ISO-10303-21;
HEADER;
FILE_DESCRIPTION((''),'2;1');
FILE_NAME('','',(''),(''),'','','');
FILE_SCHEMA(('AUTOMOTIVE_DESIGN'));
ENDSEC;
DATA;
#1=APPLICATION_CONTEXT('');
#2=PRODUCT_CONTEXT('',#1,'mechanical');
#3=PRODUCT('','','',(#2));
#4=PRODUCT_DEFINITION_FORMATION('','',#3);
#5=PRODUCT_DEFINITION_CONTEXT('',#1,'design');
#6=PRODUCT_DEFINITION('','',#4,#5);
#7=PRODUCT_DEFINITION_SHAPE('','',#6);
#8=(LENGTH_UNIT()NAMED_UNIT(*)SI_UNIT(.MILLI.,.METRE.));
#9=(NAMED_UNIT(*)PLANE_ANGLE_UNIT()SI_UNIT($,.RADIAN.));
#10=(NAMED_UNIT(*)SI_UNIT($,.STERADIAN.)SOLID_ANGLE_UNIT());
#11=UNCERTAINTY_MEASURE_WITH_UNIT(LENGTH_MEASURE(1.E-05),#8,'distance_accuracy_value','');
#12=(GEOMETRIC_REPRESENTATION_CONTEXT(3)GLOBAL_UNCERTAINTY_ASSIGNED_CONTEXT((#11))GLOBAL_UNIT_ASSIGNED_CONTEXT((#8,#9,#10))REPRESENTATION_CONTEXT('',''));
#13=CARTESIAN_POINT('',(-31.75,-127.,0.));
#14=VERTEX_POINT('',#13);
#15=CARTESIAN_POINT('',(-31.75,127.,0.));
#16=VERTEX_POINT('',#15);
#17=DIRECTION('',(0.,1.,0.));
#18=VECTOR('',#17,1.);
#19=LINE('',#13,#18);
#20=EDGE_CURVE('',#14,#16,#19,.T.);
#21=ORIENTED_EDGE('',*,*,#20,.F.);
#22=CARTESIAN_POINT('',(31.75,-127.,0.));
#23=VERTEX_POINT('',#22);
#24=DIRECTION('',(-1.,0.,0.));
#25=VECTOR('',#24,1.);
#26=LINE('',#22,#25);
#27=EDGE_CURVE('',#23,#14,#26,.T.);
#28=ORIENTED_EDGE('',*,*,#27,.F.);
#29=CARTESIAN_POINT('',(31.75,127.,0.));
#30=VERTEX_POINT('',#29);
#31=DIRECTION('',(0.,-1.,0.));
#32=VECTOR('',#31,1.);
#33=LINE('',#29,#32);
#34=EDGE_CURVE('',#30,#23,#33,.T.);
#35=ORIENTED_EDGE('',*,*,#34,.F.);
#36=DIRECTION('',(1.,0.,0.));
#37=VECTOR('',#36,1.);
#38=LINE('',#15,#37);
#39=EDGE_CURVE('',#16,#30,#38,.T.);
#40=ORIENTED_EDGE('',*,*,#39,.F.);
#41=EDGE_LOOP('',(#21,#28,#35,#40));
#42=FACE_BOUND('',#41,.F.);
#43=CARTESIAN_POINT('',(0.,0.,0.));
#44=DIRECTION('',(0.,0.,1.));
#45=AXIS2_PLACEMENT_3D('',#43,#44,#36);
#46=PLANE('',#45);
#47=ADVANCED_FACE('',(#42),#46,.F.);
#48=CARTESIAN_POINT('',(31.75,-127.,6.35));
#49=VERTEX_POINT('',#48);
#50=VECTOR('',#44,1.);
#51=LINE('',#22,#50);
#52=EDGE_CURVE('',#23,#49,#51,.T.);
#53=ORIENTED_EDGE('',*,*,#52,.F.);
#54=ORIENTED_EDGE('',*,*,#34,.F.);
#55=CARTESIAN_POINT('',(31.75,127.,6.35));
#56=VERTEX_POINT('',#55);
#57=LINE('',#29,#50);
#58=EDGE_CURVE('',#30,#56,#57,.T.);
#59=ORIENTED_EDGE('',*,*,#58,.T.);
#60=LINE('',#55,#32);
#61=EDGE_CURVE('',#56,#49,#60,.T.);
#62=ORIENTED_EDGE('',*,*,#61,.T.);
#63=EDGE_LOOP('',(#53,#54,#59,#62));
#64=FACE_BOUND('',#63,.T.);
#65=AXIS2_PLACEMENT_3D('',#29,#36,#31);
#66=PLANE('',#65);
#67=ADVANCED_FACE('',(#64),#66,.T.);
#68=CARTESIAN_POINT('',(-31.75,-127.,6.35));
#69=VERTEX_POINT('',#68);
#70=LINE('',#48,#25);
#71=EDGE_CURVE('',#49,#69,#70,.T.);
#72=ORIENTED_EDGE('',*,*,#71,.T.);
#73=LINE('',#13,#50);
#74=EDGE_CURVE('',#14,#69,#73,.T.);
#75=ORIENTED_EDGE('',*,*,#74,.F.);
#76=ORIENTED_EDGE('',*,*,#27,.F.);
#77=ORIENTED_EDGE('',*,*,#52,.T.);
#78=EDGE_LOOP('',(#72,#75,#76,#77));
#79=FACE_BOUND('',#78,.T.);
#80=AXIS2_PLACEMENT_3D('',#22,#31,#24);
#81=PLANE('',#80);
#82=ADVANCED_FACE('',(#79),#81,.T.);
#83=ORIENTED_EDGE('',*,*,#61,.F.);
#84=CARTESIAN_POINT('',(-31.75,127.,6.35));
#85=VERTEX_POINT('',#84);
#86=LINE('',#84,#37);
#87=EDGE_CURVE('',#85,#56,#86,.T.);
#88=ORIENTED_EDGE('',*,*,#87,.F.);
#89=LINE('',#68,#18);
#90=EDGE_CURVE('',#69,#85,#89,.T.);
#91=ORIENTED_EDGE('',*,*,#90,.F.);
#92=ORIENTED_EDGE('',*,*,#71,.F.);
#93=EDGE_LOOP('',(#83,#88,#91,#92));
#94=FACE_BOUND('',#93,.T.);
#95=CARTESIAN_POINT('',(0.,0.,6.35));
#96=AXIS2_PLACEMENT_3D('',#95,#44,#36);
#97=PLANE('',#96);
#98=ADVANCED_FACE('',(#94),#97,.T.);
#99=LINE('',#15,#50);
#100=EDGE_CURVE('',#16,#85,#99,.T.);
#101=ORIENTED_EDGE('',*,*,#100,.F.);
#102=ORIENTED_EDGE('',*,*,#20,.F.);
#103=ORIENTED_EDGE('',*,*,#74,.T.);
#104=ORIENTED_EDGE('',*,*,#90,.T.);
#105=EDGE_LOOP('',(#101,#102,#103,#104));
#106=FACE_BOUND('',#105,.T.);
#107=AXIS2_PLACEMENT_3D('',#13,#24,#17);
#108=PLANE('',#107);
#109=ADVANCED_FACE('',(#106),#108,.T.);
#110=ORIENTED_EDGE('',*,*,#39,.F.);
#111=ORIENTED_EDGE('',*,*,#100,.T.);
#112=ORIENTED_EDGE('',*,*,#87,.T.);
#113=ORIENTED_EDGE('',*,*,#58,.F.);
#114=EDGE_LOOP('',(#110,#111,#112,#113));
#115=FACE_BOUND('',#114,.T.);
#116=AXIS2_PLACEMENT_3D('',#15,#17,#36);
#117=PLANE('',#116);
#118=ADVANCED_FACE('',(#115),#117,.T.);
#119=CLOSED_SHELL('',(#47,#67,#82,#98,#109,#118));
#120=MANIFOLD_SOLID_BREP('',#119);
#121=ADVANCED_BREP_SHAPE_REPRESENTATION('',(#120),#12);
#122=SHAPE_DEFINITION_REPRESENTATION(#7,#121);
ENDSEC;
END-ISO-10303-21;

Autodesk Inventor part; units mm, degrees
ref_plane "YZ Plane" through (0, 0, 0) normal (1, 0, 0) x (0, 1, 0)
ref_plane "XZ Plane" through (0, 0, 0) normal (0, 1, 0) x (-1, 0, 0)
ref_plane "XY Plane" through (0, 0, 0) normal (0, 0, 1) x (1, 0, 0)
sketch "Sketch1" plane through (0, 0, 0) normal (0, 0, 1) x (1, 0, 0)
  line L0 (31.75, -127) -> (-31.75, -127)
  line L1 (-31.75, -127) -> (-31.75, 127)
  line L2 (-31.75, 127) -> (31.75, 127)
  line L3 (31.75, 127) -> (31.75, -127)
  line L4 (31.75, -127) -> (-31.75, 127) construction
  line L5 (-31.75, -127) -> (31.75, 127) construction
  point P0 (0, 0)
  dimension "d0" = 254
  dimension "d1" = 63.5
extrude "Plate1" add sketch "Sketch1" along normal blind 6.35
equation "\"d2\" = Thickness"
equation "\"BendRadius\" = Thickness"
equation "\"BendReliefWidth\" = Thickness"
equation "\"BendReliefDepth\" = 0.5 * Thickness"
equation "\"CornerReliefSize\" = 4 * Thickness"
equation "\"MinimumRemnant\" = 2 * Thickness"
equation "\"TransitionRadius\" = BendRadius"
equation "\"JacobiRadiusSize\" = BendRadius"
equation "\"GapSize\" = Thickness"
equation "\"Thickness\" = 6.35"
properties part number "PLATE,BOTTOM" material "Aluminum 6061"
